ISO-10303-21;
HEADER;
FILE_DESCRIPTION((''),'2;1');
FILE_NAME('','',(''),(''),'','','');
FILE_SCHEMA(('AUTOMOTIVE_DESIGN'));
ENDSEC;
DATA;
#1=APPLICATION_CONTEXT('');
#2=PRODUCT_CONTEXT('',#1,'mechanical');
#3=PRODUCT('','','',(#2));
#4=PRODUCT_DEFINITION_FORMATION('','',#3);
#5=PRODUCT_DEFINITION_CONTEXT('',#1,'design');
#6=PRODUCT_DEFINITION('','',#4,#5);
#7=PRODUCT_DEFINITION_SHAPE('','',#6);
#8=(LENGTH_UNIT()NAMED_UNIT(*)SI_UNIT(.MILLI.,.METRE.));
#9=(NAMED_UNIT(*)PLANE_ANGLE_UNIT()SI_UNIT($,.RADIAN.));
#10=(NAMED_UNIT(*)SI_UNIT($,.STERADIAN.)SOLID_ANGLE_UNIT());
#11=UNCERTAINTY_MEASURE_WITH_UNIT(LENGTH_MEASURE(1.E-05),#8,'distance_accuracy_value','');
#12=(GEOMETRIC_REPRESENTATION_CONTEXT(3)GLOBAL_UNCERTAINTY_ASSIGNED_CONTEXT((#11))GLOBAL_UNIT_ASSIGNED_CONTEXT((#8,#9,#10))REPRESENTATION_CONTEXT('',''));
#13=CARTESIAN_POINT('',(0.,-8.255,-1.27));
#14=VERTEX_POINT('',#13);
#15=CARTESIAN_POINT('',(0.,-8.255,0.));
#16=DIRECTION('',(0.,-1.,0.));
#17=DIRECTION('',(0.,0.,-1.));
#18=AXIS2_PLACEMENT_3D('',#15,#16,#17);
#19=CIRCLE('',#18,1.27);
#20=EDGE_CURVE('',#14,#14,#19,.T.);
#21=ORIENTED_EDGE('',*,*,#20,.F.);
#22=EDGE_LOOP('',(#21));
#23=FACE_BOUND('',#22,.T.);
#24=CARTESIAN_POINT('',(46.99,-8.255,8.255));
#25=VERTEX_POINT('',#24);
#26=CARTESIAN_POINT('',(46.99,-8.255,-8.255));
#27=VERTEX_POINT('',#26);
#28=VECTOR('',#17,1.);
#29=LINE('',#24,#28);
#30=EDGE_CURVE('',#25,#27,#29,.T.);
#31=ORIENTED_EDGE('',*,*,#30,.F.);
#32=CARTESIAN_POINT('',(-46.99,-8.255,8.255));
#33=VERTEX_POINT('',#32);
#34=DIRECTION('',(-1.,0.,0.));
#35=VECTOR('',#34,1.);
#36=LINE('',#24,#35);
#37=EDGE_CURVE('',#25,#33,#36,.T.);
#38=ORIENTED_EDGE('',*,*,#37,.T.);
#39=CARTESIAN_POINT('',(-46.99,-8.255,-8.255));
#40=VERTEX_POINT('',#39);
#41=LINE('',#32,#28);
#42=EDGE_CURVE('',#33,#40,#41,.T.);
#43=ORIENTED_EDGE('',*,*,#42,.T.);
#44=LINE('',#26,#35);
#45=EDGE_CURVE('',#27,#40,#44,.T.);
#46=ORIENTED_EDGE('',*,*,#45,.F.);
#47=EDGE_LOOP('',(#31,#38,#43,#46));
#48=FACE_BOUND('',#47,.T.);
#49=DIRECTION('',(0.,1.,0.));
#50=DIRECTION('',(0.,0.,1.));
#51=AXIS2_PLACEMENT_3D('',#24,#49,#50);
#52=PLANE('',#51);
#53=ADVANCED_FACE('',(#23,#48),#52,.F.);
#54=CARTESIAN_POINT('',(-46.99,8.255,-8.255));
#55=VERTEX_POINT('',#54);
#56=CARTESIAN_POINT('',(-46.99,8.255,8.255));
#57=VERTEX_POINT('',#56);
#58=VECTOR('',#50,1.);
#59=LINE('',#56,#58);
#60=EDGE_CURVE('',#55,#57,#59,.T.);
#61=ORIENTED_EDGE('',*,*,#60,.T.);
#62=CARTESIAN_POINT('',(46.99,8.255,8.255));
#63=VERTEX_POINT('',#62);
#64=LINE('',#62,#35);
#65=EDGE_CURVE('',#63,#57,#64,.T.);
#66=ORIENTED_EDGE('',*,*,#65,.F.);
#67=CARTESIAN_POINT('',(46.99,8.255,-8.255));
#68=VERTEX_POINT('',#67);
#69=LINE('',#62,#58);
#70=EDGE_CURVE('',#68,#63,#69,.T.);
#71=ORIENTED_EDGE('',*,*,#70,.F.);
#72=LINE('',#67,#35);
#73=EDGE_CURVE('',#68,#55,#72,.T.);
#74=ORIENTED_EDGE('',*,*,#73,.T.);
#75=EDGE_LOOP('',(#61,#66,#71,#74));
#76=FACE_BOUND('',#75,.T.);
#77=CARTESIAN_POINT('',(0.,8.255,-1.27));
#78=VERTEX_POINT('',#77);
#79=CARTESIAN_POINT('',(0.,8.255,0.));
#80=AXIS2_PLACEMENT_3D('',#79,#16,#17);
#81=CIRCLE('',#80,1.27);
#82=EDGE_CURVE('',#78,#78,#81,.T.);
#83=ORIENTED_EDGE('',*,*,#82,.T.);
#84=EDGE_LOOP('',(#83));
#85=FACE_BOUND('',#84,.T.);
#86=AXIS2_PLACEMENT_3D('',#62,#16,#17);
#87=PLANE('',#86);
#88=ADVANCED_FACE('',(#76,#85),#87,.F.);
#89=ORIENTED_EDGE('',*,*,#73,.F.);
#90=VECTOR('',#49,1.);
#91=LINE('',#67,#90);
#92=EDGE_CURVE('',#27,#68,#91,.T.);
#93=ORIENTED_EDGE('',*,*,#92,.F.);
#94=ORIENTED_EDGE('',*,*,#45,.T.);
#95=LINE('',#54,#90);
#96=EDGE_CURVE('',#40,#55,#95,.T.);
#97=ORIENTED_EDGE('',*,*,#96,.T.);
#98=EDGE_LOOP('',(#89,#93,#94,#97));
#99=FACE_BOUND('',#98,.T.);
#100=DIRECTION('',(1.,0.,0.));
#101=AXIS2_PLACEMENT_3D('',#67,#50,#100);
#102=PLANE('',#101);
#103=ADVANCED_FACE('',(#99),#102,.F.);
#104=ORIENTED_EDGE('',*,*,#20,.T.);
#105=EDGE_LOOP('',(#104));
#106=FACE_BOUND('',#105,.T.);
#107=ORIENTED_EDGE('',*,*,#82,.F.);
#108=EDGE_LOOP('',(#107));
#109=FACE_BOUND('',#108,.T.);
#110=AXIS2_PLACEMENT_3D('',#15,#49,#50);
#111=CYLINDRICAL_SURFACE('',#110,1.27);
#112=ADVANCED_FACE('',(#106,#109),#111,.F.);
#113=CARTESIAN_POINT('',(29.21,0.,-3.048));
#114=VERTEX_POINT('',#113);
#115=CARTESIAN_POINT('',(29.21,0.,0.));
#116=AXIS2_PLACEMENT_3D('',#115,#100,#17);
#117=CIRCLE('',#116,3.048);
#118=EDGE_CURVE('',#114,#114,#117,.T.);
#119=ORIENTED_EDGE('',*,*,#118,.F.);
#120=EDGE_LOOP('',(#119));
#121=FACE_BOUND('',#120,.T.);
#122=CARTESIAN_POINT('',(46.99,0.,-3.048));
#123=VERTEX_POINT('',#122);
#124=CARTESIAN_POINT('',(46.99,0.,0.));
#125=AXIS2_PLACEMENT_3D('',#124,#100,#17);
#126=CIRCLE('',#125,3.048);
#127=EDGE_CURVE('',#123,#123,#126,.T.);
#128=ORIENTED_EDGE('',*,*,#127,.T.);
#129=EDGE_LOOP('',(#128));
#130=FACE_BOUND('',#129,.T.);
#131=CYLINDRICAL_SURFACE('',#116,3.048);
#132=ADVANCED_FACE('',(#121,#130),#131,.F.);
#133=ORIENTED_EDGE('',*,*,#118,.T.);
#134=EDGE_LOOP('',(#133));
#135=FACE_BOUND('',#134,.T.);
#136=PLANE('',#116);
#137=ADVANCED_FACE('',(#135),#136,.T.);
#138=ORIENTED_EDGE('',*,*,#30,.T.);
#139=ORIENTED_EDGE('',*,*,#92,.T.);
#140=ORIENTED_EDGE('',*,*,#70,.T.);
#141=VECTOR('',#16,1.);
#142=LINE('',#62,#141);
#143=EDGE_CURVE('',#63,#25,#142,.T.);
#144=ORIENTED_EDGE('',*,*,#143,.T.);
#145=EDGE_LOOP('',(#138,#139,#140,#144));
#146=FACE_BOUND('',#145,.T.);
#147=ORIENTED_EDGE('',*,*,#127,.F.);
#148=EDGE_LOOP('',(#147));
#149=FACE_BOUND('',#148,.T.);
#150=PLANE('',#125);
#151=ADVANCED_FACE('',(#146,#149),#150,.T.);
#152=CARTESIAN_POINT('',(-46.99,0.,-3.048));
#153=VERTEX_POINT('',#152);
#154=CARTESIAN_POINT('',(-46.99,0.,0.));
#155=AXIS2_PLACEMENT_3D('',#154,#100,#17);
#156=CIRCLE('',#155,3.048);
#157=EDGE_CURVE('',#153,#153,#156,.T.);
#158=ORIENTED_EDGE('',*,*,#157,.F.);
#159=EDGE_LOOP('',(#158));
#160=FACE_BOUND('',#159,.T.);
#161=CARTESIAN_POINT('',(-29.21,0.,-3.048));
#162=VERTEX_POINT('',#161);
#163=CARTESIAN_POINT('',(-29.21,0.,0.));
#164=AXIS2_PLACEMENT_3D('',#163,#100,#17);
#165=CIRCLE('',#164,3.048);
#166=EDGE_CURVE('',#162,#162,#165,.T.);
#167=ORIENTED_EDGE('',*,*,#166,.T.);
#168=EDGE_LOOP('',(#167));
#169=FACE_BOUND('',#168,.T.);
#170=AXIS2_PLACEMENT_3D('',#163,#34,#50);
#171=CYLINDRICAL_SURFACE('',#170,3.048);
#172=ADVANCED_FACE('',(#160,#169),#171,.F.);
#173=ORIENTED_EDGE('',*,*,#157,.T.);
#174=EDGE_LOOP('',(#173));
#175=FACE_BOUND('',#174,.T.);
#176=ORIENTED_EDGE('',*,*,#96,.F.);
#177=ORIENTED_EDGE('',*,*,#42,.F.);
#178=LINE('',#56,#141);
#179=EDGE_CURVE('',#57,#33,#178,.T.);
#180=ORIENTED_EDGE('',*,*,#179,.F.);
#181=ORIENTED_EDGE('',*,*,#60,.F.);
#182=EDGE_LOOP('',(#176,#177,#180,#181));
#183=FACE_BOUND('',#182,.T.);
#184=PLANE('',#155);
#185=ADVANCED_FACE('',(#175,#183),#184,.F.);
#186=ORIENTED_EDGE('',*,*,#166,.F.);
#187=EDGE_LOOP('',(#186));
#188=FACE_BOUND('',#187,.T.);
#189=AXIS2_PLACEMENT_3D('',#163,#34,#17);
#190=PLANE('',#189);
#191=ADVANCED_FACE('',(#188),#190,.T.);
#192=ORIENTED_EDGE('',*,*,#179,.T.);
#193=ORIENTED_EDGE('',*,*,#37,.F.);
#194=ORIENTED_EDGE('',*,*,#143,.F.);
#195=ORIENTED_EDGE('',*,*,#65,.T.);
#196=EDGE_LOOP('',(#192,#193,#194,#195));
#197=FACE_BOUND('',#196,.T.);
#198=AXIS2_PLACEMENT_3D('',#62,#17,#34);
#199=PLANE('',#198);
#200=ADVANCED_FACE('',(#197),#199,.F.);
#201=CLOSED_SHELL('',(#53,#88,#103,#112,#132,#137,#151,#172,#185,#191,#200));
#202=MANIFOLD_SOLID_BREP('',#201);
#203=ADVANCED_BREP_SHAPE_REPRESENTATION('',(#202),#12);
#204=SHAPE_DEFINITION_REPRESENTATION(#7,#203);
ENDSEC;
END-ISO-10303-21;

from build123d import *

# Parameters (mm, degrees)
SKETCH1_W           = 16.51
SKETCH1_H           = 16.51
BOSS_EXTRUDE1_DEPTH = 46.99
SKETCH2_R           = 3.048
CUT_EXTRUDE1_DEPTH  = 17.78
CUT_EXTRUDE2_START  = 8.255
SKETCH3_R           = 1.27
CUT_EXTRUDE2_DEPTH  = 17.51


with BuildPart() as part:
    # Sketch1 → Boss-Extrude1 (new body, symmetric)
    with BuildSketch(Plane(origin=(0, 0, 0), x_dir=(0, 0, -1), z_dir=(1, 0, 0))):
        Rectangle(SKETCH1_W, SKETCH1_H)
    extrude(amount=BOSS_EXTRUDE1_DEPTH, both=True)

    # Sketch2 → Cut-Extrude1 (cut)
    with BuildSketch(Plane(origin=(46.99, 0, 0), x_dir=(0, 0, -1), z_dir=(1, 0, 0))):
        Circle(SKETCH2_R)
    cut_extrude1 = extrude(amount=-CUT_EXTRUDE1_DEPTH, mode=Mode.SUBTRACT)

    # Mirror1: Cut-Extrude1 across plane
    add(cut_extrude1.mirror(Plane(origin=(0, 0, 0), x_dir=(0, 0, 1), z_dir=(1, 0, 0))), mode=Mode.SUBTRACT)

    # Sketch3 → Cut-Extrude2 (cut, through all)
    with BuildSketch(Plane(origin=(0, 0, 0), x_dir=(1, 0, 0), z_dir=(0, 1, 0)).offset(CUT_EXTRUDE2_START)):
        Circle(SKETCH3_R)
    extrude(amount=-CUT_EXTRUDE2_DEPTH, mode=Mode.SUBTRACT)


solid = part.part
